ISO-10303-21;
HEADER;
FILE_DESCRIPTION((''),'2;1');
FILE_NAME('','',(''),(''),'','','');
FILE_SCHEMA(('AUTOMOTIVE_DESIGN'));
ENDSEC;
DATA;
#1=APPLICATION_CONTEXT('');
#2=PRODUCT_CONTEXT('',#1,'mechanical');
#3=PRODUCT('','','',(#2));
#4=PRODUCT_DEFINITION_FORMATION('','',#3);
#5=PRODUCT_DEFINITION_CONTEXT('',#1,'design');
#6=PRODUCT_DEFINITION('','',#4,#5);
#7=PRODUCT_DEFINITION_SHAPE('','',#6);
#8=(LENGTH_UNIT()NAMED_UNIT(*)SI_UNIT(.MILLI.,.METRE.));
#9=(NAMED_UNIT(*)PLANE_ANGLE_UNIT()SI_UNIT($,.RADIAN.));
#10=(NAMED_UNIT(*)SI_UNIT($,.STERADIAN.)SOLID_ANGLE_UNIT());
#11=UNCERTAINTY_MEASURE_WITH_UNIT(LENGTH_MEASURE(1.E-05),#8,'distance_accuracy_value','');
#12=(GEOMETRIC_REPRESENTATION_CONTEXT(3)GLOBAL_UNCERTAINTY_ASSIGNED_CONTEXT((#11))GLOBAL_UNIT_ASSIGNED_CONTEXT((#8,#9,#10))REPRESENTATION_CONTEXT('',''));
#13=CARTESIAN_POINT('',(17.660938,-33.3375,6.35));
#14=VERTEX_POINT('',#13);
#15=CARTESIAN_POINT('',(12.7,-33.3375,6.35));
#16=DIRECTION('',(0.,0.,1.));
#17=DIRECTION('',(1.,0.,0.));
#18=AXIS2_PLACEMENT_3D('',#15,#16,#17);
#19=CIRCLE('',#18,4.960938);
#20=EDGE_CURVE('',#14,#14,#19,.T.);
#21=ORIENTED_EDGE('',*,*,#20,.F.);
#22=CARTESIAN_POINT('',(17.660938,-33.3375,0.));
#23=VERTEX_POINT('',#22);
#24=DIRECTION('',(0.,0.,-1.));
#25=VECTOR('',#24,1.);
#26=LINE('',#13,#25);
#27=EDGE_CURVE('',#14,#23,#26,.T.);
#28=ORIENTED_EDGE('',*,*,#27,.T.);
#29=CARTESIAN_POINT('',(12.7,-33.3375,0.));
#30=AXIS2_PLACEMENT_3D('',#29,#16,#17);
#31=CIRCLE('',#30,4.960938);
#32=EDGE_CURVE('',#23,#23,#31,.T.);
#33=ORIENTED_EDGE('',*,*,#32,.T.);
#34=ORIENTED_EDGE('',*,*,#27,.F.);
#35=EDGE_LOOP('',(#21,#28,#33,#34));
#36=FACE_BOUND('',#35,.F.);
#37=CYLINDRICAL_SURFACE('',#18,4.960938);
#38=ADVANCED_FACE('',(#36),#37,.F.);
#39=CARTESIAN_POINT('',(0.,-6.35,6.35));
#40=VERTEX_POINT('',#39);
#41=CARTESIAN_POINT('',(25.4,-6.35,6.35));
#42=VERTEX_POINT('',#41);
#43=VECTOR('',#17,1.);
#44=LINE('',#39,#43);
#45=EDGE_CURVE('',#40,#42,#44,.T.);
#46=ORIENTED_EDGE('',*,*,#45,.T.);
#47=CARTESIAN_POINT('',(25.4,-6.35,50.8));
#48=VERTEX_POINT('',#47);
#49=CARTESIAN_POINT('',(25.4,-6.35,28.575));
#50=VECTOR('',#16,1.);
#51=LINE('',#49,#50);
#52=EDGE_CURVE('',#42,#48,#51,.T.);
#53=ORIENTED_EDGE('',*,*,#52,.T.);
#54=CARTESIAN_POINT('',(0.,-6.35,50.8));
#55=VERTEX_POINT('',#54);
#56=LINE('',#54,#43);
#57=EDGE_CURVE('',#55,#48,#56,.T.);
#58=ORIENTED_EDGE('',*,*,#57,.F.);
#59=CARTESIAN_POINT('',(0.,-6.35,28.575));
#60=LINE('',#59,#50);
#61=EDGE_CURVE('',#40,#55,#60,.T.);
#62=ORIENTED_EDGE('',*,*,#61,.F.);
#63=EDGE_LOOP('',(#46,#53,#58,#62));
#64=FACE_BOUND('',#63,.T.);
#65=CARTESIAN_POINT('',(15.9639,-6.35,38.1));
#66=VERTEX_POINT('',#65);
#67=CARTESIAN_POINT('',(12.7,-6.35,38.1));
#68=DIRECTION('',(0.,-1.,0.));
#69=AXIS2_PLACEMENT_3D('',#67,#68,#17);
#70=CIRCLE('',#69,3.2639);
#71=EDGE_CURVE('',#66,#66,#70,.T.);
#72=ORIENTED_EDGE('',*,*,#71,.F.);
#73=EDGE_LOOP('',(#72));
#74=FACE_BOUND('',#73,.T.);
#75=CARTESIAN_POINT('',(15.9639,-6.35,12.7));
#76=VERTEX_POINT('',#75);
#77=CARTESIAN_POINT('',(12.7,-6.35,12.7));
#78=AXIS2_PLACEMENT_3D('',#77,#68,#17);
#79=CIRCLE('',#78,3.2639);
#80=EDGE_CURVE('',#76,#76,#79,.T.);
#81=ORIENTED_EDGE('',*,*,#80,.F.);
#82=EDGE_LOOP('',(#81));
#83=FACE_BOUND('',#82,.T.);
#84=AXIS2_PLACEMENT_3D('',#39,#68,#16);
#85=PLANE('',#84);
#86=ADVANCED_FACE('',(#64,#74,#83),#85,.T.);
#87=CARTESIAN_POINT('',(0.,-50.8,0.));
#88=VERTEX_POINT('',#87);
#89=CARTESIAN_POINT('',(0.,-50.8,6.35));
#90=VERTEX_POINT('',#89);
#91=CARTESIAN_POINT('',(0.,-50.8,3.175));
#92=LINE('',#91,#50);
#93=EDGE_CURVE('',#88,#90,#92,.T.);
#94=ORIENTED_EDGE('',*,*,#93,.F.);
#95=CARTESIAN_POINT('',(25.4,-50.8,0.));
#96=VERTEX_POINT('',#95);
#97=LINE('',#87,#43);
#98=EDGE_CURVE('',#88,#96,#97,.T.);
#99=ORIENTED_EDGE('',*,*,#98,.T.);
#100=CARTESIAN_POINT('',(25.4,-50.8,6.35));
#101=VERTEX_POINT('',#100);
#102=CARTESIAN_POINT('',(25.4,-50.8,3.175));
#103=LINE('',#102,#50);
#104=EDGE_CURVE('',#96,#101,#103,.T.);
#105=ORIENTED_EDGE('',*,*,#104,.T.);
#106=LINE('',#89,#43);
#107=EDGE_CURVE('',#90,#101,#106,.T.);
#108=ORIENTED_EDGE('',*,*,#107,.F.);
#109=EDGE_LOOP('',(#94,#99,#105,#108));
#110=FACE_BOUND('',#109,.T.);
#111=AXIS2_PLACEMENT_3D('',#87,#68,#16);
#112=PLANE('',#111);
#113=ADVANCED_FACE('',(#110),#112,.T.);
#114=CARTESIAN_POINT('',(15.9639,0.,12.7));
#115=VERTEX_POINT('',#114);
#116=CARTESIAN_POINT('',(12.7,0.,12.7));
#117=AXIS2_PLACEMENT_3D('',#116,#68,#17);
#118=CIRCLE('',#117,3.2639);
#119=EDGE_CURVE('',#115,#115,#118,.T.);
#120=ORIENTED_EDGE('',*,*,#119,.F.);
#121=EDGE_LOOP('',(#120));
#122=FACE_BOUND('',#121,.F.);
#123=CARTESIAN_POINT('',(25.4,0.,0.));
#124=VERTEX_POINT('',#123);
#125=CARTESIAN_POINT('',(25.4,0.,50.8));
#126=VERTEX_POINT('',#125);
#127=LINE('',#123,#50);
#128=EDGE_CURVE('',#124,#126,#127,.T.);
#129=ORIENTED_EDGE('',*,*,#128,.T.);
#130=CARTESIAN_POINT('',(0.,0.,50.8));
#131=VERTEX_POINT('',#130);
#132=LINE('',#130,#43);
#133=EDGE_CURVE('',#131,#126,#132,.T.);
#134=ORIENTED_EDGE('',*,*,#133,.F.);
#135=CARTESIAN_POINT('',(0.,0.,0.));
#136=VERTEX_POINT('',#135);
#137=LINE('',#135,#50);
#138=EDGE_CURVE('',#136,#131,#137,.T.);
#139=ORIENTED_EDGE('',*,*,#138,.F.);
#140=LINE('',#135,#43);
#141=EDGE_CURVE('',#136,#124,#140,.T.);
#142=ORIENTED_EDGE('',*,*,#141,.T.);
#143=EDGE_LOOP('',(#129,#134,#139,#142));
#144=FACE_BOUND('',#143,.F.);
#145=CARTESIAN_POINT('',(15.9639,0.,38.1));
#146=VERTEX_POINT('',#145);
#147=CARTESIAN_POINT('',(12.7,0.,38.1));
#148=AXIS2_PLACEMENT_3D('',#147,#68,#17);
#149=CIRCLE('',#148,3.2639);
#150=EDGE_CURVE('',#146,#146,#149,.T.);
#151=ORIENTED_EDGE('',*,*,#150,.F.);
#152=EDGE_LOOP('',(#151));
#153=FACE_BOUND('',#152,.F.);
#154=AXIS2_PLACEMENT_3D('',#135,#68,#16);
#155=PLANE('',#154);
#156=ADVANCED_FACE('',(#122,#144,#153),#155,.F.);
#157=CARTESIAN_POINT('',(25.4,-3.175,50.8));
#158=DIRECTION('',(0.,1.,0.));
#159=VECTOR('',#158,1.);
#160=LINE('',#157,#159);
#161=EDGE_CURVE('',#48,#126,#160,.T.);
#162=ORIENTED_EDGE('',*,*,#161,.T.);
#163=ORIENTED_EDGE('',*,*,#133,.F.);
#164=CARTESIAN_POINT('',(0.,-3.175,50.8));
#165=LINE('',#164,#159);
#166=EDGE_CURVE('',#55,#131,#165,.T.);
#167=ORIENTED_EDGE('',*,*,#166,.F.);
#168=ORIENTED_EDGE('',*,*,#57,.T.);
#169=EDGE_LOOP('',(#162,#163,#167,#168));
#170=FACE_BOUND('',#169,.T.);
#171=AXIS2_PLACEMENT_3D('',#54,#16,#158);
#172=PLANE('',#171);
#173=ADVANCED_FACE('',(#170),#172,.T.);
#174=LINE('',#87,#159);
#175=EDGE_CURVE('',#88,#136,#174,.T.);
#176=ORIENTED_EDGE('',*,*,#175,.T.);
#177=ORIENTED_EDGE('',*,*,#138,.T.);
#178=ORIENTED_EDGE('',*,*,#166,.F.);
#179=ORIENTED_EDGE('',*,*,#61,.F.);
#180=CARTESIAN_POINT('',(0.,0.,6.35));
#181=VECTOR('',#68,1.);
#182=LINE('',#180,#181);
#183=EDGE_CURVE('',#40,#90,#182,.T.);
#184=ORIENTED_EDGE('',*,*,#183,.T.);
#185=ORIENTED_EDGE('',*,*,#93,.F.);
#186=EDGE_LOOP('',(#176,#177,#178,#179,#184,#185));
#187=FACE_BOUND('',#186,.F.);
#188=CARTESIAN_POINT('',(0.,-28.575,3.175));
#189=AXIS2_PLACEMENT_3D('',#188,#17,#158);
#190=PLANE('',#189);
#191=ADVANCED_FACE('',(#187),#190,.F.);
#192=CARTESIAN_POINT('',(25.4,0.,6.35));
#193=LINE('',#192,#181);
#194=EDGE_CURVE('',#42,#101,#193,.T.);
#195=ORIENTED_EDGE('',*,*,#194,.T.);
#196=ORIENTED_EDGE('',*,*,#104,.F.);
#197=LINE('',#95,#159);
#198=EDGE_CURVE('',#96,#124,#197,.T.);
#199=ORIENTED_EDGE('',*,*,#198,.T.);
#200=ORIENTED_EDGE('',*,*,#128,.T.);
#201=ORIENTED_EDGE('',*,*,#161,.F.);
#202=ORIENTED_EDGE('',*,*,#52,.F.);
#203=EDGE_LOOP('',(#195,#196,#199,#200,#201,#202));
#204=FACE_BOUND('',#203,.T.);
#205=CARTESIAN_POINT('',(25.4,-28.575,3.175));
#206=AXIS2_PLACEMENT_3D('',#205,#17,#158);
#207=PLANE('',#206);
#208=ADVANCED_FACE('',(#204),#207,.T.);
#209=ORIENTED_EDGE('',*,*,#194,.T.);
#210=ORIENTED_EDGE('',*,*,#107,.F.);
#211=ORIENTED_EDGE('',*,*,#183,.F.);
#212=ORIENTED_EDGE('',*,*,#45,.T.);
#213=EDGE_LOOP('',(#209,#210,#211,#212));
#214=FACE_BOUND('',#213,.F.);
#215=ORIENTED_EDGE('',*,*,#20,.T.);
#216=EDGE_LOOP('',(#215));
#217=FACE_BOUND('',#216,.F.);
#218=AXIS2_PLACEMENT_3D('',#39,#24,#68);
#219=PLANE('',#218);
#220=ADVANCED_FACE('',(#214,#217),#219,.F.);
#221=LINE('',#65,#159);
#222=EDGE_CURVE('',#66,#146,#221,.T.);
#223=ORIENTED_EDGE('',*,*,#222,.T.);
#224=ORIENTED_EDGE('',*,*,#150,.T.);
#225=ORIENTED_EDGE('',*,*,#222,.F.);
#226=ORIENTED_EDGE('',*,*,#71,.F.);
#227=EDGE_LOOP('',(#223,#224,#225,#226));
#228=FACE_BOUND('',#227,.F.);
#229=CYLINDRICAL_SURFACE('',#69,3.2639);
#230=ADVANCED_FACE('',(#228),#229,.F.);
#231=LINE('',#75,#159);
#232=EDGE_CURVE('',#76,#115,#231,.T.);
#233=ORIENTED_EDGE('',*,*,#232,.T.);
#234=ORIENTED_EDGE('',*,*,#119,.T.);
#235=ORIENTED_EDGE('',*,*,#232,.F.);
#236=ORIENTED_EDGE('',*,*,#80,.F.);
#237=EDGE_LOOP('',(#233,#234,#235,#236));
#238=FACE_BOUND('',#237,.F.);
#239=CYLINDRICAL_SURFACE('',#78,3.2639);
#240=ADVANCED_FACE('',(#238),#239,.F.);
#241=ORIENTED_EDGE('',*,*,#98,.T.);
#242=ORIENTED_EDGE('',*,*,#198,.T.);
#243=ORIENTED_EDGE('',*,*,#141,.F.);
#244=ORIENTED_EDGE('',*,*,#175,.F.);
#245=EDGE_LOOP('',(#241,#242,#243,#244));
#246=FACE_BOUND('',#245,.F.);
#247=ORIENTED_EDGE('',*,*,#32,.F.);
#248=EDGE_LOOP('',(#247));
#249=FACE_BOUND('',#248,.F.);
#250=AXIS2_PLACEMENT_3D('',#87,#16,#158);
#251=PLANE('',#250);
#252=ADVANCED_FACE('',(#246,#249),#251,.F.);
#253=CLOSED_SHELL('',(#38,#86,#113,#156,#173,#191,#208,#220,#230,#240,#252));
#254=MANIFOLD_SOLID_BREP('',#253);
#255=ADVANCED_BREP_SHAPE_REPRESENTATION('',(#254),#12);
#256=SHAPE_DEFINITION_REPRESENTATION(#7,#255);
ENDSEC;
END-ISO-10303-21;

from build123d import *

# Parameters (mm, degrees)
F0_W     = 44.45
F0_H     = 6.35
F0_W_2   = 6.35
F0_H_2   = 44.45
F1_DEPTH = 25.4
F2_R     = 4.960938
F3_DEPTH = 25.4
F5_R     = 3.2639
F6_DEPTH = 25.4


with BuildPart() as f1:
    # F0 (on Right) → F1 (new body)
    with BuildSketch(Plane.YZ):
        with Locations((-28.575, 3.175)):
            Rectangle(F0_W, F0_H)
        with Locations((-3.175, 3.175)):
            Rectangle(F0_W_2, F0_H)
        with Locations((-3.175, 28.575)):
            Rectangle(F0_W_2, F0_H_2)
    extrude(amount=F1_DEPTH)

    # F2 (on face) → F3 (cut)
    with BuildSketch(Plane.XY.offset(6.35)):
        with Locations((12.7, -33.3375)):
            Circle(F2_R)
    extrude(amount=-F3_DEPTH, mode=Mode.SUBTRACT)

    # F5 (on face) → F6 (cut)
    with BuildSketch(Plane.XZ.offset(6.35)):
        with Locations((12.7, 12.7)):
            Circle(F5_R)
        with Locations((12.7, 38.1)):
            Circle(F5_R)
    extrude(amount=-F6_DEPTH, mode=Mode.SUBTRACT)


solid = f1.part
